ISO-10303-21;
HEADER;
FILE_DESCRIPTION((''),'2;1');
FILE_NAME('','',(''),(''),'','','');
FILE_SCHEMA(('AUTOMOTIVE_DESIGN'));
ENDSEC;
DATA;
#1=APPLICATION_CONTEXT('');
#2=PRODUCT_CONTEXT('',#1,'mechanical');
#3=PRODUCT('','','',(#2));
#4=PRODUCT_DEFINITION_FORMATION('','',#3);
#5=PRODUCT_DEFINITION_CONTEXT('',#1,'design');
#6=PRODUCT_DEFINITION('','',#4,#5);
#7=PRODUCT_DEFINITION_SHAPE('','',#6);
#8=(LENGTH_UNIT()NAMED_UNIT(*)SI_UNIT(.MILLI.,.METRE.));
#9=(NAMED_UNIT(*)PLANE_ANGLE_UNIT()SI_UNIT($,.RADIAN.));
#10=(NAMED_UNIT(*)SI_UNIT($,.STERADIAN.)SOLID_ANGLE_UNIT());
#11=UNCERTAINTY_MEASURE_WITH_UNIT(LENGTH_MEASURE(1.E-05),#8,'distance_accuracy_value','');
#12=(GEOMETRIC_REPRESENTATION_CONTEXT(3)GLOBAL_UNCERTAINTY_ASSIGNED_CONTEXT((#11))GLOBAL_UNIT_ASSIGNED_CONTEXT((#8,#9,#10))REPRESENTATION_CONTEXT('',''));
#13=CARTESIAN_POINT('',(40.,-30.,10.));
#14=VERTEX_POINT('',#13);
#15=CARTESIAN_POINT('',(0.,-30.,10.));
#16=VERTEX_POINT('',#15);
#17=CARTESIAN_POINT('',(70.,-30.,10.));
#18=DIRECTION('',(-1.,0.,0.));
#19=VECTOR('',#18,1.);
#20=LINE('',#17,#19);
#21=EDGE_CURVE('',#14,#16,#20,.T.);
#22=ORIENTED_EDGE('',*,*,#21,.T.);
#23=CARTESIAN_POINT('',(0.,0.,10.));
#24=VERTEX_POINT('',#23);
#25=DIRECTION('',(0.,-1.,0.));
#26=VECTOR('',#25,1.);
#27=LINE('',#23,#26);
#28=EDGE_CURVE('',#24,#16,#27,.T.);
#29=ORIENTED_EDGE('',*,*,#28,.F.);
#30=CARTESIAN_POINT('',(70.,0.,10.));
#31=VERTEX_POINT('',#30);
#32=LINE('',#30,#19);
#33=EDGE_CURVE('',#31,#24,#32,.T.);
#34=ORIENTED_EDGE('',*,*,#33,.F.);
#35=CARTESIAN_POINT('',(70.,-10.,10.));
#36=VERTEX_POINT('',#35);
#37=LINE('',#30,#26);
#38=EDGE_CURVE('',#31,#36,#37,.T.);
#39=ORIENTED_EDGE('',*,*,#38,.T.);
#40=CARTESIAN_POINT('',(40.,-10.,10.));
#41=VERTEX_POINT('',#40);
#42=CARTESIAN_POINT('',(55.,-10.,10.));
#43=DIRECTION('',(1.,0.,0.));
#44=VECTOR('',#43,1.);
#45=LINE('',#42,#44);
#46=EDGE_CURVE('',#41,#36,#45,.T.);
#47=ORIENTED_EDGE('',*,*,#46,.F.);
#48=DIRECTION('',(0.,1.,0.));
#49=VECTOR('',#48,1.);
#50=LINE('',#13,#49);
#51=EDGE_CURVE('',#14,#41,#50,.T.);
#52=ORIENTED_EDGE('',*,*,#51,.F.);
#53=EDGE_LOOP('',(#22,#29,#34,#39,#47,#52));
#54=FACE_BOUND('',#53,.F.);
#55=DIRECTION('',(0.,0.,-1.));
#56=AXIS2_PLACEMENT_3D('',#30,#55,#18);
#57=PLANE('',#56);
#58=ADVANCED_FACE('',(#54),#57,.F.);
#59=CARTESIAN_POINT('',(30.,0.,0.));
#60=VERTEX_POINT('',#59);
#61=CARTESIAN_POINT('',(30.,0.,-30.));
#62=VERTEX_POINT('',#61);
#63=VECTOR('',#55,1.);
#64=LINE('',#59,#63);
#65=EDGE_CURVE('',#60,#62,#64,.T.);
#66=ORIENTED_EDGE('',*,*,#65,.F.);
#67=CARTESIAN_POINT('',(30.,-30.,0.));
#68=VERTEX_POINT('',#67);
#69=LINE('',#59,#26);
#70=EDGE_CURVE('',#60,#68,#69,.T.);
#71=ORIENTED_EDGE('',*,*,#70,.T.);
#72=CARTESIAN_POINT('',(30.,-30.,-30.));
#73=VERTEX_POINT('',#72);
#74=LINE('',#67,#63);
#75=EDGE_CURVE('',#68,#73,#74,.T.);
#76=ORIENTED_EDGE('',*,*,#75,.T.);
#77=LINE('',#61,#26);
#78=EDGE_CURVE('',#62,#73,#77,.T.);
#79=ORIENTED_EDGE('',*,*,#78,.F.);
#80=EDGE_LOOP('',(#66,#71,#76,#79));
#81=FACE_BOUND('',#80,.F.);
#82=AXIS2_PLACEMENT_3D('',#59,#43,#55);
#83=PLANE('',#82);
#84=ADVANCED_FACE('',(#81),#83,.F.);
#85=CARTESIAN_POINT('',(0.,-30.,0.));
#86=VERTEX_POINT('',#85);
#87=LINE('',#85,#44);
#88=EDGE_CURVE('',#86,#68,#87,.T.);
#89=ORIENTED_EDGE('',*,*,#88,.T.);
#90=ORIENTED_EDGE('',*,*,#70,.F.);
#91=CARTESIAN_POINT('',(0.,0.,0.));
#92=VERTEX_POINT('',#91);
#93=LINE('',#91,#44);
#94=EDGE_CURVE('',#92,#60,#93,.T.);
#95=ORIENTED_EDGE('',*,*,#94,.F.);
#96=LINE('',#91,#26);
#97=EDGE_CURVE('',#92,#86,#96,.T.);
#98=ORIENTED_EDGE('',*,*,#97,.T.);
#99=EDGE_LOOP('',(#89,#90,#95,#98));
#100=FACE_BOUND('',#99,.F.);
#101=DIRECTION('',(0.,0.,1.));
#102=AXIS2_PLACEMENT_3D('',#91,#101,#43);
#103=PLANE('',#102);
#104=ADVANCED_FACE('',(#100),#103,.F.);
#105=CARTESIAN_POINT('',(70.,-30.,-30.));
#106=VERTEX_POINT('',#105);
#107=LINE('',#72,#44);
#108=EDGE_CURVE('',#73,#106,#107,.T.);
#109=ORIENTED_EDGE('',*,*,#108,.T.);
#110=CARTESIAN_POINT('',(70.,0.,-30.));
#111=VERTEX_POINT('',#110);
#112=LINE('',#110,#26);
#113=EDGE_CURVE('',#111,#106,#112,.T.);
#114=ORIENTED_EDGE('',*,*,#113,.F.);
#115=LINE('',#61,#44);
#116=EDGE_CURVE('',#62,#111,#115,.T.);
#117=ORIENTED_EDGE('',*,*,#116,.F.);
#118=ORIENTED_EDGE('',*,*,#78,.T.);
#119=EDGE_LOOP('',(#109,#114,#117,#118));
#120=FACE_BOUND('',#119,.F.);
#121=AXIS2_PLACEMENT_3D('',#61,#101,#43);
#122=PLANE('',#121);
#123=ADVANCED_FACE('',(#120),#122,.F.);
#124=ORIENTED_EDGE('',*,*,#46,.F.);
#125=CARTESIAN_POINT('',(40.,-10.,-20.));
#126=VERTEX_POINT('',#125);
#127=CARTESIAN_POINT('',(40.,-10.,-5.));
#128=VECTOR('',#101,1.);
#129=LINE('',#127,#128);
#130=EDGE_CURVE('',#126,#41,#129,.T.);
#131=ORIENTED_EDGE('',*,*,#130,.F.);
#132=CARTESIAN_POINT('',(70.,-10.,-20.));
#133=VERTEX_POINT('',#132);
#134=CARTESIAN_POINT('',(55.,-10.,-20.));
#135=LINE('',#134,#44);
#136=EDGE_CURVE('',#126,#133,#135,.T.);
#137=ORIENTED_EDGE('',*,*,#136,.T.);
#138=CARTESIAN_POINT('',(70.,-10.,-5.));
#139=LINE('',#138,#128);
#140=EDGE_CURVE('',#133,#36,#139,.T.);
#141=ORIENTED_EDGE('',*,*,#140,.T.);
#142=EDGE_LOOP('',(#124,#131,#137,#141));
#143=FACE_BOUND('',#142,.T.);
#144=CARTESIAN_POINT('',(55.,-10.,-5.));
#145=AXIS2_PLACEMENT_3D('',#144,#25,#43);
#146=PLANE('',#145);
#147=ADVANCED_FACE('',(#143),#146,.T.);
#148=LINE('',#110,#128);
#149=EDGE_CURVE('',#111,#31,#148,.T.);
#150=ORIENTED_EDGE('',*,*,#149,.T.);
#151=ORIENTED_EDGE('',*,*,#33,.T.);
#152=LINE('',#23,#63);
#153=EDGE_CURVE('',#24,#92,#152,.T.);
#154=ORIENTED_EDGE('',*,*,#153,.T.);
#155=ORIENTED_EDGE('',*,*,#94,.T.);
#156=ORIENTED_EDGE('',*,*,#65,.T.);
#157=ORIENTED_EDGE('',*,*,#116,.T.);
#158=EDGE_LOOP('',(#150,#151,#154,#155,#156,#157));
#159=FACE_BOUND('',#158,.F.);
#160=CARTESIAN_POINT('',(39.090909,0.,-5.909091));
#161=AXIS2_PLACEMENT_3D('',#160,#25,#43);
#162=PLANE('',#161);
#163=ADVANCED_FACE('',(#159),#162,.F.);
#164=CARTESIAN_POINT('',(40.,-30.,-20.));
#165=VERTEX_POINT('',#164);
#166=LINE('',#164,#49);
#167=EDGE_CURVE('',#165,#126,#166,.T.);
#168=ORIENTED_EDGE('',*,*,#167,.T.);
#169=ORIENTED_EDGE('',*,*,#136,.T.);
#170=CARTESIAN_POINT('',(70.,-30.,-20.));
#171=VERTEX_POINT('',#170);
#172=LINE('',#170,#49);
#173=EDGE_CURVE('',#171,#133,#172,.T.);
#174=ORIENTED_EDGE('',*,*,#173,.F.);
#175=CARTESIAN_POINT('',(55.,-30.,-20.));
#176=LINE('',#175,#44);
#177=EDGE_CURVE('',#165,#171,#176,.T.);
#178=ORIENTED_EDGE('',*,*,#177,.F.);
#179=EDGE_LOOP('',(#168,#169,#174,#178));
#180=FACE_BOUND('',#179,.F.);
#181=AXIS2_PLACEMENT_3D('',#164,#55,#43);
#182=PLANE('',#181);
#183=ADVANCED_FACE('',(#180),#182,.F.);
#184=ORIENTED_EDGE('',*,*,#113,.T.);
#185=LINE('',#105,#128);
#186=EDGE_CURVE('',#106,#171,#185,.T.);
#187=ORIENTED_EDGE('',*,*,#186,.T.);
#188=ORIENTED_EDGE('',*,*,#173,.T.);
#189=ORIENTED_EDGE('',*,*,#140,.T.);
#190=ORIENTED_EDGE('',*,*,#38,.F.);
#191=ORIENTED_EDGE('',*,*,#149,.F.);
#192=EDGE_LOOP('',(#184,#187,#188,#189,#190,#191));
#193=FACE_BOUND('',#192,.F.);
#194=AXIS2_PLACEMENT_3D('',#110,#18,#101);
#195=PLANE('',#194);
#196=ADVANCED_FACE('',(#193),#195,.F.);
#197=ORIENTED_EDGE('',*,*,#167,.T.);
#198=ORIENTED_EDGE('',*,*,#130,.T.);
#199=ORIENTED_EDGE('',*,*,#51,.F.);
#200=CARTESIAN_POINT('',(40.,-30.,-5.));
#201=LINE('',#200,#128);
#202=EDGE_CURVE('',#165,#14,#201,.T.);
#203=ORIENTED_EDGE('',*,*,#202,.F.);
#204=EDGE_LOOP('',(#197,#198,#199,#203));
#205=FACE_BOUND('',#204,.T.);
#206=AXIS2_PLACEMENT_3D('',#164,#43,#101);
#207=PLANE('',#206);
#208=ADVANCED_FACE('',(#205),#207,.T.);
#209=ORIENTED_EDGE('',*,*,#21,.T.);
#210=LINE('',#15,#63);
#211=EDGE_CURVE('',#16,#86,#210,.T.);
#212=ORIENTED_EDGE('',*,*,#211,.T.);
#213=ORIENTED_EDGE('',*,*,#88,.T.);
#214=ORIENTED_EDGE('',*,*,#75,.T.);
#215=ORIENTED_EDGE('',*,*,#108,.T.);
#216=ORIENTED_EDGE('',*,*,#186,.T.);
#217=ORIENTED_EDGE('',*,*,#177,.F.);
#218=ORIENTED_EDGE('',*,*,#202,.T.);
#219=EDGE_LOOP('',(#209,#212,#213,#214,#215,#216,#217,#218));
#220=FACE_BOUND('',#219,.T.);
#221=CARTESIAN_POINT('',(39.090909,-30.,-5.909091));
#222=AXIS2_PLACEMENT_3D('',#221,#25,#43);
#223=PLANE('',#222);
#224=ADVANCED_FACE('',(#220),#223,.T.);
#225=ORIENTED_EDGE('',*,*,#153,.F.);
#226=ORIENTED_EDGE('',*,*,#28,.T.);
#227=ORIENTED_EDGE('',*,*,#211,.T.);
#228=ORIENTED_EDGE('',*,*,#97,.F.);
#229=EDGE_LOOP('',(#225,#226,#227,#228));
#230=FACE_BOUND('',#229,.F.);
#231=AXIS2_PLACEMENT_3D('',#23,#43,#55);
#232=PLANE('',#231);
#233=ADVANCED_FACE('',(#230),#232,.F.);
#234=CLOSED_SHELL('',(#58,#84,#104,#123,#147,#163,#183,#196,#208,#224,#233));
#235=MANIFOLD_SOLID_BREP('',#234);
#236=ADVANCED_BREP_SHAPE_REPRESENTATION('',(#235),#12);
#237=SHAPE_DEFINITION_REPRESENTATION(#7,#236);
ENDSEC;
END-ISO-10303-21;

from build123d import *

# Parameters (mm, degrees)
F1_DEPTH = 30
F2_W     = 30
F2_H     = 30
F3_DEPTH = 20


with BuildPart() as f1:
    # F0 (on Front) → F1 (new body)
    with BuildSketch(Plane.XZ):
        Polygon((0, 10), (0, 0), (30, 0), (30, -30), (70, -30), (70, 10), align=None)
    extrude(amount=F1_DEPTH)

    # F2 (on face) → F3 (cut)
    with BuildSketch(Plane.XZ.offset(30)):
        with Locations((55, -5)):
            Rectangle(F2_W, F2_H)
    extrude(amount=-F3_DEPTH, mode=Mode.SUBTRACT)


solid = f1.part
